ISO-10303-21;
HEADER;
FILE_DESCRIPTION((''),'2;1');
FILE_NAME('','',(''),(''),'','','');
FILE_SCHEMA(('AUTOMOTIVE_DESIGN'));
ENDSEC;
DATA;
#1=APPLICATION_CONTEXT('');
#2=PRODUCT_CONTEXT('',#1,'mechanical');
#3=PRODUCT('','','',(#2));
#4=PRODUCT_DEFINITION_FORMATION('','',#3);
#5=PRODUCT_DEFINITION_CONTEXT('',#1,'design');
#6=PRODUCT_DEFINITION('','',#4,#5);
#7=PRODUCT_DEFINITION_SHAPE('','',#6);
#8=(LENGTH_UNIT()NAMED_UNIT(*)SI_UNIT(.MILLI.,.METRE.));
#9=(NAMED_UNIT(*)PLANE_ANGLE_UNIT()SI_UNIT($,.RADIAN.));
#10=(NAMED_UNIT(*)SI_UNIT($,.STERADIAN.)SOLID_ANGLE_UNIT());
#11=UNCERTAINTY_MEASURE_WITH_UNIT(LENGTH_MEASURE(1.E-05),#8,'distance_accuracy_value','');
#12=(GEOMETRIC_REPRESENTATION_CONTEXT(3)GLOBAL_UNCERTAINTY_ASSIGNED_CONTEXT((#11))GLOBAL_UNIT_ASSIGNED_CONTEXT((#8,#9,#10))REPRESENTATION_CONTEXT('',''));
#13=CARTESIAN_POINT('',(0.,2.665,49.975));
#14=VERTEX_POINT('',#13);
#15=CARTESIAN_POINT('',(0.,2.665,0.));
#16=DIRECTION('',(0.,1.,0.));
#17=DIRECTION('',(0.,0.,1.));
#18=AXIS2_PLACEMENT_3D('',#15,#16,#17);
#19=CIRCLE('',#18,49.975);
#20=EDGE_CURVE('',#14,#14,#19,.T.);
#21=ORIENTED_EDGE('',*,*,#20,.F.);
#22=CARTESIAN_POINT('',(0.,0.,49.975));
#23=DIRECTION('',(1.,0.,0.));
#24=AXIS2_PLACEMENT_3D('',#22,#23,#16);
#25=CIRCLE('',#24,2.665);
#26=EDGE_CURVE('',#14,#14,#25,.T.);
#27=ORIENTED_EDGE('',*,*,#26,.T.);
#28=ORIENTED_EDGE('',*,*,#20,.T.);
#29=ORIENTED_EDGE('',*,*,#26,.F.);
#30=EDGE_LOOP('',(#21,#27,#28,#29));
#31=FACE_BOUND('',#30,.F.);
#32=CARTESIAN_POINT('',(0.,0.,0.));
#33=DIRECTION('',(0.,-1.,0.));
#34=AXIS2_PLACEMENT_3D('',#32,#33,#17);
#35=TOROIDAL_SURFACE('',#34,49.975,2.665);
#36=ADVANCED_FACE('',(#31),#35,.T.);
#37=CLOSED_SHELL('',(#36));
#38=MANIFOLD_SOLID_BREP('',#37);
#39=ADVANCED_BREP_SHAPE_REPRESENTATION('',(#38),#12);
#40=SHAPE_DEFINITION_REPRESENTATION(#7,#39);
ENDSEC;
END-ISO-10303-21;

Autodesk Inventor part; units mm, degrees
ref_plane "YZ Plane" through (0, 0, 0) normal (1, 0, 0) x (0, 1, 0)
ref_plane "XY Plane" through (0, 0, 0) normal (0, 0, 1) x (1, 0, 0)
sketch "Sketch1" plane through (0, 0, 0) normal (1, 0, 0) x (0, 1, 0)
  circle A0 centre (0, 49.975) radius 2.665
  line L0 (0, 0) -> (2.0054, 0)
  dimension "d0" = 5.33
  dimension "d1" = 49.975
revolve "Revolution1" add sketch "Sketch1" angle 360 about axis through (0, 0, 0) along (0, 1, 0)
ref_plane "Work Plane2" through (0, -2.665, 0) normal (0, 1, 0) x (-1, 0, 0)
ref_plane "Work Plane1" through (0, 2.665, 0) normal (0, 1, 0) x (-1, 0, 0)
sketch "Sketch2" plane through (0, 2.665, 0) normal (0, 1, 0) x (-1, 0, 0)
  circle A0 centre (0, 0) radius 47
  dimension "d5" = 94
sketch "Sketch3" plane through (0, -2.665, 0) normal (0, 1, 0) x (-1, 0, 0)
  circle A0 centre (0, 0) radius 45
  dimension "d6" = 90
properties part number "Sello Plato Oring 2-343" material "Rubber, Silicone"
